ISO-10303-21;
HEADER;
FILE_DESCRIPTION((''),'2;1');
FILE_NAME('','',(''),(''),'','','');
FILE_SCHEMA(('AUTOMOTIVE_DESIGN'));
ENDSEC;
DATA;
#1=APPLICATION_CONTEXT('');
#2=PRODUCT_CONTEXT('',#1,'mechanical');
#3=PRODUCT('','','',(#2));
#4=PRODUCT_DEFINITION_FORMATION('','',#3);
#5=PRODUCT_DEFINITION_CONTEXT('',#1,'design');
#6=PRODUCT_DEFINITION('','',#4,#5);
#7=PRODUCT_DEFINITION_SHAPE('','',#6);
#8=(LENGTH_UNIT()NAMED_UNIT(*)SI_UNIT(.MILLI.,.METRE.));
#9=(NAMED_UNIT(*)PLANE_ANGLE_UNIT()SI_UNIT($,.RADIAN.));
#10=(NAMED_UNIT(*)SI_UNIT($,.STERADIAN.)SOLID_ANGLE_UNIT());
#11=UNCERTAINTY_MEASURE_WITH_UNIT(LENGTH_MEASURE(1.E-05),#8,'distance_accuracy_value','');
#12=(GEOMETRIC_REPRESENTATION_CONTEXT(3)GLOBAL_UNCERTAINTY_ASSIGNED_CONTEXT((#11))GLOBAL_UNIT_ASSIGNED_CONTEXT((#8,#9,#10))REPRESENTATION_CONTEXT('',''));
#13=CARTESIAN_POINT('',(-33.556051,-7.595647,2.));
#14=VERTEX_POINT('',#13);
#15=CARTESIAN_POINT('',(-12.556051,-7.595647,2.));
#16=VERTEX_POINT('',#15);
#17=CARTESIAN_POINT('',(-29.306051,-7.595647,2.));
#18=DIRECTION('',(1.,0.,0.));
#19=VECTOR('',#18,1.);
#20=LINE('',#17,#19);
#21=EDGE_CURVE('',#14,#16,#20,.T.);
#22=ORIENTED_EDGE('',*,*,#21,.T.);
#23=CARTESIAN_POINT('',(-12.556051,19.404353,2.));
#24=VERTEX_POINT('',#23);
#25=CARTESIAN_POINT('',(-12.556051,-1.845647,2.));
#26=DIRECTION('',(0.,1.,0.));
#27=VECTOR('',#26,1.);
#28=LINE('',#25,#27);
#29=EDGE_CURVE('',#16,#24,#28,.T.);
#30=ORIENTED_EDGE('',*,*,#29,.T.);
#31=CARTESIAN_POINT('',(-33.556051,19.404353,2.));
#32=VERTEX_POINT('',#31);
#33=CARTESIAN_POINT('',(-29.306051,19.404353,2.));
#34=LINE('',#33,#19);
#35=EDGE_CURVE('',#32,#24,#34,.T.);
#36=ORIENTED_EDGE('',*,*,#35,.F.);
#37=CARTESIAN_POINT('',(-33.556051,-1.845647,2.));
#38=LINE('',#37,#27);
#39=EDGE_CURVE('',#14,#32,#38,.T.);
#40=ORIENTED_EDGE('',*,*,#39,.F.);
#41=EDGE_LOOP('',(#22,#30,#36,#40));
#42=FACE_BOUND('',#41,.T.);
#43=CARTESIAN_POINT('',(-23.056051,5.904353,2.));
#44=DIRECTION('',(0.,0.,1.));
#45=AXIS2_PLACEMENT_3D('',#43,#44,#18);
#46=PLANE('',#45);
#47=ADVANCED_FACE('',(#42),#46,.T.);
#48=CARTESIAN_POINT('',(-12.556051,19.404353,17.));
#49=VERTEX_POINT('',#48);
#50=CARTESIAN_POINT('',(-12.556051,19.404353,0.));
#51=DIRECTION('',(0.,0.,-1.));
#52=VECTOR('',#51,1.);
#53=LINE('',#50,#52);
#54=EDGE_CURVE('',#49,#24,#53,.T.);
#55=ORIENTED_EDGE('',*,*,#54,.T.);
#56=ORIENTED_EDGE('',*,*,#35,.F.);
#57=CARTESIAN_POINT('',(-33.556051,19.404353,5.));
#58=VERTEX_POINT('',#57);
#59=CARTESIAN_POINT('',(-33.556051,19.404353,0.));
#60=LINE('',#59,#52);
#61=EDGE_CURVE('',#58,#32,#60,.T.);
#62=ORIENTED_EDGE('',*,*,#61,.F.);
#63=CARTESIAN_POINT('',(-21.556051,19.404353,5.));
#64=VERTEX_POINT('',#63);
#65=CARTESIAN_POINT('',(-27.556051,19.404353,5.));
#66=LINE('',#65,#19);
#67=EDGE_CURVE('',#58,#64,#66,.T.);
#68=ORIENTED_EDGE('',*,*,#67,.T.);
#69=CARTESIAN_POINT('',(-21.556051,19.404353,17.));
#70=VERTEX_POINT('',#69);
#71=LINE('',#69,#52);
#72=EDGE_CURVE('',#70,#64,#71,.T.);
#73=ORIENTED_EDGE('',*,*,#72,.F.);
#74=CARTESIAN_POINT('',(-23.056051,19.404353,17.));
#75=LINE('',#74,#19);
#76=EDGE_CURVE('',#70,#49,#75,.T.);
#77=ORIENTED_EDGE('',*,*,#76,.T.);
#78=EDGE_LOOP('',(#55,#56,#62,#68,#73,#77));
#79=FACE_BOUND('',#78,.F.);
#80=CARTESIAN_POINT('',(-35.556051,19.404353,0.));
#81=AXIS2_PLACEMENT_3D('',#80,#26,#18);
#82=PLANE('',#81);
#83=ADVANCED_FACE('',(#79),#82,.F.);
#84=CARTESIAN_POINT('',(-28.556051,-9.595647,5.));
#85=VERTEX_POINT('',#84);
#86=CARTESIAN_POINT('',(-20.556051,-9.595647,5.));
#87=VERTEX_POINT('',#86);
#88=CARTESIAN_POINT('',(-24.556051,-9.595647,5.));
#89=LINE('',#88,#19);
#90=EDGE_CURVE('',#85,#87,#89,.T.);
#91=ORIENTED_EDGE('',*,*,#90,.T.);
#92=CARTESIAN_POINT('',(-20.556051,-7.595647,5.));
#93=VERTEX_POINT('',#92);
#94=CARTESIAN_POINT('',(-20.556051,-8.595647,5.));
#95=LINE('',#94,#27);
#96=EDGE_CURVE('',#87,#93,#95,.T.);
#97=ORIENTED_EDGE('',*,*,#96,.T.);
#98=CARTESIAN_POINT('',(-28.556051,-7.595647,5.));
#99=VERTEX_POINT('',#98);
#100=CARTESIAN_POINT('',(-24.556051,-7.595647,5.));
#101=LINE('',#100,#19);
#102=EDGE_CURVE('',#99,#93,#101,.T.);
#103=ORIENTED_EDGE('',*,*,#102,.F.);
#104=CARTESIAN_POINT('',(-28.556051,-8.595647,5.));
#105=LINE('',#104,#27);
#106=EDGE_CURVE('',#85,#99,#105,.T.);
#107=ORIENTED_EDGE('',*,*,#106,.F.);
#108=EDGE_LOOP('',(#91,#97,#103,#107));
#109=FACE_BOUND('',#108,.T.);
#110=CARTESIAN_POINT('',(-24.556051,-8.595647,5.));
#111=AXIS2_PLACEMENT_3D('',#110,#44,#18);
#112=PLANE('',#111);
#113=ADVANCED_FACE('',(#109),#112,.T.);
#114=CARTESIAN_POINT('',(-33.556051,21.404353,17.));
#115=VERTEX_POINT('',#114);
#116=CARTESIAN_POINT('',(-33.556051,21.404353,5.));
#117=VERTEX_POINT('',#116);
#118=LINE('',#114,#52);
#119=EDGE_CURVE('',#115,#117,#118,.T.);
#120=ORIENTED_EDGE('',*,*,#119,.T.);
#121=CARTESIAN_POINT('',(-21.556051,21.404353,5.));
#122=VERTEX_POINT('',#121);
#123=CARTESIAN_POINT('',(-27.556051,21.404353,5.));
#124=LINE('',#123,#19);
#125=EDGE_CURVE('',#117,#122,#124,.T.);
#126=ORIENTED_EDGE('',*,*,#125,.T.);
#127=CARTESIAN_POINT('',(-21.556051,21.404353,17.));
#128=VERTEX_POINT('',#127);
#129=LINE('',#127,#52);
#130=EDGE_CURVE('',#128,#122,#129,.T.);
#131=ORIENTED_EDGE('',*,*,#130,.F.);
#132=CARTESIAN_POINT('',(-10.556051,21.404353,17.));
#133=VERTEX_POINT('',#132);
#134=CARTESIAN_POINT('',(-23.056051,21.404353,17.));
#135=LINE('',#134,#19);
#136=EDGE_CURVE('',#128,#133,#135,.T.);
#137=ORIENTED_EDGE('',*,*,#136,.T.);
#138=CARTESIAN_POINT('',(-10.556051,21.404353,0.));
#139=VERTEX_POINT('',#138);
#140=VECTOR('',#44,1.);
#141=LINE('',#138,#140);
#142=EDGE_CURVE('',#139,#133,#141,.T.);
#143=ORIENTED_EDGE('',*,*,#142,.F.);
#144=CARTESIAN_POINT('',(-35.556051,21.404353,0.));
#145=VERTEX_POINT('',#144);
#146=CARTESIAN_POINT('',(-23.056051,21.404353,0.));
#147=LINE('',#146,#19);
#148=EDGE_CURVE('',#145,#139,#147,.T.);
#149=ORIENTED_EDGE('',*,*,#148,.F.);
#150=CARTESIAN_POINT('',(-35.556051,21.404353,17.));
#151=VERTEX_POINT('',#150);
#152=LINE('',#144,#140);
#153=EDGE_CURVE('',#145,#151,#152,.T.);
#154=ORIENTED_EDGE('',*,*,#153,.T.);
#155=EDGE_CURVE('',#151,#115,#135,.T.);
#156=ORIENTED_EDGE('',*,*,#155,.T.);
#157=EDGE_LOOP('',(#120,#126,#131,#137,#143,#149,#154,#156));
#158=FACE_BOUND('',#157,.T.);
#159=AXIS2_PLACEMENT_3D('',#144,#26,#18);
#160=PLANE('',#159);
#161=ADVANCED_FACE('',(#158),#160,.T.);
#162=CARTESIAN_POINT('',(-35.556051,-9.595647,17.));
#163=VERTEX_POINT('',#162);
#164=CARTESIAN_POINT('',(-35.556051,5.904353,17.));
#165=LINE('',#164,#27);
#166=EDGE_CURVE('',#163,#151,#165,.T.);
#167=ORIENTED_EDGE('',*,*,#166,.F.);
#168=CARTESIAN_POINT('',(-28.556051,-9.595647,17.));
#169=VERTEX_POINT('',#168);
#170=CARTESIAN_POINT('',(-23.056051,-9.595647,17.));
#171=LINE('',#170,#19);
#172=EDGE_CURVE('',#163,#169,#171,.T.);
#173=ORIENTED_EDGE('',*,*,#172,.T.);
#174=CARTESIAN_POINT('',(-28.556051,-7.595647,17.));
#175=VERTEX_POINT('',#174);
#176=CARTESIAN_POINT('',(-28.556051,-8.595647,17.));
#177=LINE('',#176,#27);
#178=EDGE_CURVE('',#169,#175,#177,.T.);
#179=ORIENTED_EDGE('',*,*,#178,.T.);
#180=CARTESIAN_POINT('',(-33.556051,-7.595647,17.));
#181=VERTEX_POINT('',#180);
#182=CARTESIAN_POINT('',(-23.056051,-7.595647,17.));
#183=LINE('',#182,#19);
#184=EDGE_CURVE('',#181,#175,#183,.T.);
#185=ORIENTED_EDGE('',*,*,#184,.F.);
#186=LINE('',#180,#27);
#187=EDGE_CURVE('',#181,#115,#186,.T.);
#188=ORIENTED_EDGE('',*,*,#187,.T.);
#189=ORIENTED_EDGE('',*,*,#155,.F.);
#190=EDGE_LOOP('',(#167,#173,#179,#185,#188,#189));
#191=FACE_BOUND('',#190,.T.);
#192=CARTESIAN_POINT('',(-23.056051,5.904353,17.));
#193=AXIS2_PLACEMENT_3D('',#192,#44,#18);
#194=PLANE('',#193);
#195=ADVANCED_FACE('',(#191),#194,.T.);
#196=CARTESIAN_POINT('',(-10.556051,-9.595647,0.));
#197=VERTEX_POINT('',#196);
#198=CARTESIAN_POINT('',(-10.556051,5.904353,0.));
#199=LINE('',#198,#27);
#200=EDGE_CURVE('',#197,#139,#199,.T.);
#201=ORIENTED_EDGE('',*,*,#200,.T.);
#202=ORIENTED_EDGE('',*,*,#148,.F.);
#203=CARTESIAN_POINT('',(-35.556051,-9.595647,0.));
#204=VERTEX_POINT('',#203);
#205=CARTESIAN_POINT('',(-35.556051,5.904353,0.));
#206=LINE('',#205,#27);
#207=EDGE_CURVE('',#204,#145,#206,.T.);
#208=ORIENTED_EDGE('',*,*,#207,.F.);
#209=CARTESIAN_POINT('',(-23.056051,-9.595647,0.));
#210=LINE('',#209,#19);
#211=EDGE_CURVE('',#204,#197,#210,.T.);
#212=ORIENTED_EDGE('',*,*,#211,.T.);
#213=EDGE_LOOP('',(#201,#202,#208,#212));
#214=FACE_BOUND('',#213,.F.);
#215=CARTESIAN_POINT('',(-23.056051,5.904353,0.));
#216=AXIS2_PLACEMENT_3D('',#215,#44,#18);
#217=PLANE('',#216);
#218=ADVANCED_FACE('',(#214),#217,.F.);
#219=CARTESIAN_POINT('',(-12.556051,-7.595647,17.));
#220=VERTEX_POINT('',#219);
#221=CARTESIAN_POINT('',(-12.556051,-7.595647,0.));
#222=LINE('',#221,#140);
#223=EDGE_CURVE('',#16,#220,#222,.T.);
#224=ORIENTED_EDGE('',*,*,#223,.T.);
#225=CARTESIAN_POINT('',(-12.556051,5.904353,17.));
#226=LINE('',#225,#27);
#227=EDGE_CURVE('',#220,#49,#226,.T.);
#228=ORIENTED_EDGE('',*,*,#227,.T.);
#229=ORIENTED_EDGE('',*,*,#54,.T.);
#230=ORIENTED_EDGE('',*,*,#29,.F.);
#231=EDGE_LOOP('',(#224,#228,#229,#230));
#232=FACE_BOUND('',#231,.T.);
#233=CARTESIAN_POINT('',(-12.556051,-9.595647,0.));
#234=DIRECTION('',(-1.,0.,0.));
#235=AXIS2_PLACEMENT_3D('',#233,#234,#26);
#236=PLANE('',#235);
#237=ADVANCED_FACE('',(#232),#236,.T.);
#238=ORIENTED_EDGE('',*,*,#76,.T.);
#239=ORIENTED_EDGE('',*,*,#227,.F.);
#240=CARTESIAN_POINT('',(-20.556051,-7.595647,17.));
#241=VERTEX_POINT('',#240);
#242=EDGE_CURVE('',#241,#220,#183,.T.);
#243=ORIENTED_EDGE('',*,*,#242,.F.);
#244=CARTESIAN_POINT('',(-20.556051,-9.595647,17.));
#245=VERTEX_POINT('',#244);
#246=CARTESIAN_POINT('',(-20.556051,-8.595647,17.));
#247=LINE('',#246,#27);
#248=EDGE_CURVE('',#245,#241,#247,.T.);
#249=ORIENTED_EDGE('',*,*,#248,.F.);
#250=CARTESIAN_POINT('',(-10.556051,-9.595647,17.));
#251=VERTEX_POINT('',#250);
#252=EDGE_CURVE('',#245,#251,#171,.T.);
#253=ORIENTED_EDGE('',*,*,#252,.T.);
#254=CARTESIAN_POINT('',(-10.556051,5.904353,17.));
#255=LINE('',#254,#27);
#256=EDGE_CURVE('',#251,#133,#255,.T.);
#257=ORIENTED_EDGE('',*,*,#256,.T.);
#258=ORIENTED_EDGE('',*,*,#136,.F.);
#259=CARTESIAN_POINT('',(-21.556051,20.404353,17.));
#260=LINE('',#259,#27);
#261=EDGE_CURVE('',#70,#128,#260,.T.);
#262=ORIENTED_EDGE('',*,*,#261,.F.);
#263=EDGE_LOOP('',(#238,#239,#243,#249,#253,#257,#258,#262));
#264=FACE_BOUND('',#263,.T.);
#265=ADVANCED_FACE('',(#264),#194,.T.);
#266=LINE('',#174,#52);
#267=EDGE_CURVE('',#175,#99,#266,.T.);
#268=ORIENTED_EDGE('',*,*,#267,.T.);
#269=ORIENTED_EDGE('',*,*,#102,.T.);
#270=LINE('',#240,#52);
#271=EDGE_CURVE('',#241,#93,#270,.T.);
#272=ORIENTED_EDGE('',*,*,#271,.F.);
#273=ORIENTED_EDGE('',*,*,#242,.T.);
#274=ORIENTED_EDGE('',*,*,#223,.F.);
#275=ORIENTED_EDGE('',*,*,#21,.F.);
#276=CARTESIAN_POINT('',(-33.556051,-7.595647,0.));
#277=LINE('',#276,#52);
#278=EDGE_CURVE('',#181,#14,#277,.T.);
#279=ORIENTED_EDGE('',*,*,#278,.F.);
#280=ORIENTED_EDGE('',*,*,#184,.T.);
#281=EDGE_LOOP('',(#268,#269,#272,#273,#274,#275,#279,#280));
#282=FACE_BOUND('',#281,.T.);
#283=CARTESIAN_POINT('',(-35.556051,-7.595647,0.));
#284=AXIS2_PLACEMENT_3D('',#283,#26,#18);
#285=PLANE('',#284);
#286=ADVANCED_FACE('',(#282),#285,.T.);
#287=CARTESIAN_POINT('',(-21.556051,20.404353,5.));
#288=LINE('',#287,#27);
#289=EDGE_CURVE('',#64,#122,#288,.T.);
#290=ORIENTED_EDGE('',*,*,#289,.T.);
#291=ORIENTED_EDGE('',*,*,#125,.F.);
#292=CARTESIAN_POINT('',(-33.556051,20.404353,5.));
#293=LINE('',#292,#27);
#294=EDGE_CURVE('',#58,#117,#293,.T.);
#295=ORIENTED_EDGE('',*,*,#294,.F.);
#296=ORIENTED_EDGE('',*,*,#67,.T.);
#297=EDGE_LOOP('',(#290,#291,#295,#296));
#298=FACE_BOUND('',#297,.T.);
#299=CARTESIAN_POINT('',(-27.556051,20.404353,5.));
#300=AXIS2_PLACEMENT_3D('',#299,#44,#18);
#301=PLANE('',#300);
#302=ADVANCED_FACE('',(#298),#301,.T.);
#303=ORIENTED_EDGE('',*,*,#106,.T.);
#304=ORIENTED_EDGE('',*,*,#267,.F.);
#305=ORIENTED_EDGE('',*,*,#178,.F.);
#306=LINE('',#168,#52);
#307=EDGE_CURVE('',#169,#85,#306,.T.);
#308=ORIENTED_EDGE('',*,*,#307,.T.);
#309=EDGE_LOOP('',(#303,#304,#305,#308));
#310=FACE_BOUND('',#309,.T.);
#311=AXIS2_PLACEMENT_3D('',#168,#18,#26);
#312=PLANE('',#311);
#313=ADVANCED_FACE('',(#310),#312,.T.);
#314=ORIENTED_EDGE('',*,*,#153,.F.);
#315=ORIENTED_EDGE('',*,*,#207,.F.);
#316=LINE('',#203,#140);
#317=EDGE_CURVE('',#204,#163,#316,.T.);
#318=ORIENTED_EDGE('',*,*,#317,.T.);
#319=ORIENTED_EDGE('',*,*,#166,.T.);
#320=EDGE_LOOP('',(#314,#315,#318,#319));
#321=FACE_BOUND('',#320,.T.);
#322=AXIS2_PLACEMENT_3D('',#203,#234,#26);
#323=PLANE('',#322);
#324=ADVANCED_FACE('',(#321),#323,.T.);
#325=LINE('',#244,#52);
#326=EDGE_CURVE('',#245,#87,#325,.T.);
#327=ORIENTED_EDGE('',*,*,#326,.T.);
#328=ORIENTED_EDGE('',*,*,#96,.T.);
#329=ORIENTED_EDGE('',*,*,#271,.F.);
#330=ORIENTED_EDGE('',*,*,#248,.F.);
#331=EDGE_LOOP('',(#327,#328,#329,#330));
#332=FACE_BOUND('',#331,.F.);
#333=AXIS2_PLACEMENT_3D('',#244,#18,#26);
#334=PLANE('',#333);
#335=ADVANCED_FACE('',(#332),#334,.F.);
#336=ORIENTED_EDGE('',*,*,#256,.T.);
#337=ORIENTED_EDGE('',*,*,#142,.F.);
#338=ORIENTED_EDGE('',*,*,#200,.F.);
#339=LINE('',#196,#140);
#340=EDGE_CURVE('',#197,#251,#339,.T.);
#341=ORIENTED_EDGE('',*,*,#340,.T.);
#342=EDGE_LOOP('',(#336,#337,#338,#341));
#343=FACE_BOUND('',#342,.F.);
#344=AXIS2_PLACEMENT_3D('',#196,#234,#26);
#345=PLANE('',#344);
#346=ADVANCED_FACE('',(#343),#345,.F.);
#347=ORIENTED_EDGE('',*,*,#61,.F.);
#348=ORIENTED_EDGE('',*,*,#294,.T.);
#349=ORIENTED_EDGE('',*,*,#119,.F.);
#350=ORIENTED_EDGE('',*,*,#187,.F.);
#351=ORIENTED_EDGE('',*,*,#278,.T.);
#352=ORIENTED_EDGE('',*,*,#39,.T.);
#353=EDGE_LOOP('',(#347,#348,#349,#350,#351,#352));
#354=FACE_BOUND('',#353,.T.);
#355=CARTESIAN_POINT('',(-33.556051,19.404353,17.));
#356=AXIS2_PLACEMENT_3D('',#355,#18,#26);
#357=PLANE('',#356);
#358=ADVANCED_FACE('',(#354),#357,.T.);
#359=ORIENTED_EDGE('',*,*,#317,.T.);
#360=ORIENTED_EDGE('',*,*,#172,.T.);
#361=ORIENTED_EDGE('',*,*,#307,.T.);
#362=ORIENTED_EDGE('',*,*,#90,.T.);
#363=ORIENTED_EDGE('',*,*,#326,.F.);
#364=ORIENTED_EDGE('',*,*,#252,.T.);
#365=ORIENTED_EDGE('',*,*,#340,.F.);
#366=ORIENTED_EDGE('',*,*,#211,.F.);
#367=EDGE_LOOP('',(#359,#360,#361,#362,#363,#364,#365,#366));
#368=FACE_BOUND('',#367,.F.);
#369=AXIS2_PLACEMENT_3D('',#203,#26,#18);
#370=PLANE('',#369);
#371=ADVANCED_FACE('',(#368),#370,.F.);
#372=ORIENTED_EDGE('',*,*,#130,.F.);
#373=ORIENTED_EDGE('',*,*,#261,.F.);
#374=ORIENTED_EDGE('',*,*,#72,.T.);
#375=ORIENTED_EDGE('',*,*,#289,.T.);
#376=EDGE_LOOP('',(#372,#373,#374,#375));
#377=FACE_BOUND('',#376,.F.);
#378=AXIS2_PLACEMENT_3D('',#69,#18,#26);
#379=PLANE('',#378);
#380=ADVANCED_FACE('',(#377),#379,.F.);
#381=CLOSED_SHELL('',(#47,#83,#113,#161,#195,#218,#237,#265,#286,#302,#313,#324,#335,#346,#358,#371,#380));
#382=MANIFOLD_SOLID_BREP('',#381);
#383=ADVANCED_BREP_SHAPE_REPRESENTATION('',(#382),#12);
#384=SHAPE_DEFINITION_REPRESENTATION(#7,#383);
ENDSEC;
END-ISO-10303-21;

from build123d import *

# Parameters (mm, degrees)
F0_W     = 25
F0_H     = 31
F1_DEPTH = 17
F2_T     = -2
F3_W     = 8
F3_H     = 2
F3_W_2   = 12
F4_DEPTH = 12


with BuildPart() as f1:
    # F0 (on Top) → F1 (new body)
    with BuildSketch(Plane.XY):
        with Locations((-23.056051, 5.904353)):
            Rectangle(F0_W, F0_H)
    extrude(amount=F1_DEPTH)

    # F2
    f2_openings = [f1.faces().sort_by_distance(p)[0] for p in [
        (-23.056051, 5.904353, 17),
    ]]
    offset(amount=F2_T, openings=f2_openings)

    # F3 (on face) → F4 (cut)
    with BuildSketch(Plane.XY.offset(17)):
        with Locations((-24.556051, -8.595647)):
            Rectangle(F3_W, F3_H)
        with Locations((-27.556051, 20.404353)):
            Rectangle(F3_W_2, F3_H)
    extrude(amount=-F4_DEPTH, mode=Mode.SUBTRACT)


solid = f1.part
